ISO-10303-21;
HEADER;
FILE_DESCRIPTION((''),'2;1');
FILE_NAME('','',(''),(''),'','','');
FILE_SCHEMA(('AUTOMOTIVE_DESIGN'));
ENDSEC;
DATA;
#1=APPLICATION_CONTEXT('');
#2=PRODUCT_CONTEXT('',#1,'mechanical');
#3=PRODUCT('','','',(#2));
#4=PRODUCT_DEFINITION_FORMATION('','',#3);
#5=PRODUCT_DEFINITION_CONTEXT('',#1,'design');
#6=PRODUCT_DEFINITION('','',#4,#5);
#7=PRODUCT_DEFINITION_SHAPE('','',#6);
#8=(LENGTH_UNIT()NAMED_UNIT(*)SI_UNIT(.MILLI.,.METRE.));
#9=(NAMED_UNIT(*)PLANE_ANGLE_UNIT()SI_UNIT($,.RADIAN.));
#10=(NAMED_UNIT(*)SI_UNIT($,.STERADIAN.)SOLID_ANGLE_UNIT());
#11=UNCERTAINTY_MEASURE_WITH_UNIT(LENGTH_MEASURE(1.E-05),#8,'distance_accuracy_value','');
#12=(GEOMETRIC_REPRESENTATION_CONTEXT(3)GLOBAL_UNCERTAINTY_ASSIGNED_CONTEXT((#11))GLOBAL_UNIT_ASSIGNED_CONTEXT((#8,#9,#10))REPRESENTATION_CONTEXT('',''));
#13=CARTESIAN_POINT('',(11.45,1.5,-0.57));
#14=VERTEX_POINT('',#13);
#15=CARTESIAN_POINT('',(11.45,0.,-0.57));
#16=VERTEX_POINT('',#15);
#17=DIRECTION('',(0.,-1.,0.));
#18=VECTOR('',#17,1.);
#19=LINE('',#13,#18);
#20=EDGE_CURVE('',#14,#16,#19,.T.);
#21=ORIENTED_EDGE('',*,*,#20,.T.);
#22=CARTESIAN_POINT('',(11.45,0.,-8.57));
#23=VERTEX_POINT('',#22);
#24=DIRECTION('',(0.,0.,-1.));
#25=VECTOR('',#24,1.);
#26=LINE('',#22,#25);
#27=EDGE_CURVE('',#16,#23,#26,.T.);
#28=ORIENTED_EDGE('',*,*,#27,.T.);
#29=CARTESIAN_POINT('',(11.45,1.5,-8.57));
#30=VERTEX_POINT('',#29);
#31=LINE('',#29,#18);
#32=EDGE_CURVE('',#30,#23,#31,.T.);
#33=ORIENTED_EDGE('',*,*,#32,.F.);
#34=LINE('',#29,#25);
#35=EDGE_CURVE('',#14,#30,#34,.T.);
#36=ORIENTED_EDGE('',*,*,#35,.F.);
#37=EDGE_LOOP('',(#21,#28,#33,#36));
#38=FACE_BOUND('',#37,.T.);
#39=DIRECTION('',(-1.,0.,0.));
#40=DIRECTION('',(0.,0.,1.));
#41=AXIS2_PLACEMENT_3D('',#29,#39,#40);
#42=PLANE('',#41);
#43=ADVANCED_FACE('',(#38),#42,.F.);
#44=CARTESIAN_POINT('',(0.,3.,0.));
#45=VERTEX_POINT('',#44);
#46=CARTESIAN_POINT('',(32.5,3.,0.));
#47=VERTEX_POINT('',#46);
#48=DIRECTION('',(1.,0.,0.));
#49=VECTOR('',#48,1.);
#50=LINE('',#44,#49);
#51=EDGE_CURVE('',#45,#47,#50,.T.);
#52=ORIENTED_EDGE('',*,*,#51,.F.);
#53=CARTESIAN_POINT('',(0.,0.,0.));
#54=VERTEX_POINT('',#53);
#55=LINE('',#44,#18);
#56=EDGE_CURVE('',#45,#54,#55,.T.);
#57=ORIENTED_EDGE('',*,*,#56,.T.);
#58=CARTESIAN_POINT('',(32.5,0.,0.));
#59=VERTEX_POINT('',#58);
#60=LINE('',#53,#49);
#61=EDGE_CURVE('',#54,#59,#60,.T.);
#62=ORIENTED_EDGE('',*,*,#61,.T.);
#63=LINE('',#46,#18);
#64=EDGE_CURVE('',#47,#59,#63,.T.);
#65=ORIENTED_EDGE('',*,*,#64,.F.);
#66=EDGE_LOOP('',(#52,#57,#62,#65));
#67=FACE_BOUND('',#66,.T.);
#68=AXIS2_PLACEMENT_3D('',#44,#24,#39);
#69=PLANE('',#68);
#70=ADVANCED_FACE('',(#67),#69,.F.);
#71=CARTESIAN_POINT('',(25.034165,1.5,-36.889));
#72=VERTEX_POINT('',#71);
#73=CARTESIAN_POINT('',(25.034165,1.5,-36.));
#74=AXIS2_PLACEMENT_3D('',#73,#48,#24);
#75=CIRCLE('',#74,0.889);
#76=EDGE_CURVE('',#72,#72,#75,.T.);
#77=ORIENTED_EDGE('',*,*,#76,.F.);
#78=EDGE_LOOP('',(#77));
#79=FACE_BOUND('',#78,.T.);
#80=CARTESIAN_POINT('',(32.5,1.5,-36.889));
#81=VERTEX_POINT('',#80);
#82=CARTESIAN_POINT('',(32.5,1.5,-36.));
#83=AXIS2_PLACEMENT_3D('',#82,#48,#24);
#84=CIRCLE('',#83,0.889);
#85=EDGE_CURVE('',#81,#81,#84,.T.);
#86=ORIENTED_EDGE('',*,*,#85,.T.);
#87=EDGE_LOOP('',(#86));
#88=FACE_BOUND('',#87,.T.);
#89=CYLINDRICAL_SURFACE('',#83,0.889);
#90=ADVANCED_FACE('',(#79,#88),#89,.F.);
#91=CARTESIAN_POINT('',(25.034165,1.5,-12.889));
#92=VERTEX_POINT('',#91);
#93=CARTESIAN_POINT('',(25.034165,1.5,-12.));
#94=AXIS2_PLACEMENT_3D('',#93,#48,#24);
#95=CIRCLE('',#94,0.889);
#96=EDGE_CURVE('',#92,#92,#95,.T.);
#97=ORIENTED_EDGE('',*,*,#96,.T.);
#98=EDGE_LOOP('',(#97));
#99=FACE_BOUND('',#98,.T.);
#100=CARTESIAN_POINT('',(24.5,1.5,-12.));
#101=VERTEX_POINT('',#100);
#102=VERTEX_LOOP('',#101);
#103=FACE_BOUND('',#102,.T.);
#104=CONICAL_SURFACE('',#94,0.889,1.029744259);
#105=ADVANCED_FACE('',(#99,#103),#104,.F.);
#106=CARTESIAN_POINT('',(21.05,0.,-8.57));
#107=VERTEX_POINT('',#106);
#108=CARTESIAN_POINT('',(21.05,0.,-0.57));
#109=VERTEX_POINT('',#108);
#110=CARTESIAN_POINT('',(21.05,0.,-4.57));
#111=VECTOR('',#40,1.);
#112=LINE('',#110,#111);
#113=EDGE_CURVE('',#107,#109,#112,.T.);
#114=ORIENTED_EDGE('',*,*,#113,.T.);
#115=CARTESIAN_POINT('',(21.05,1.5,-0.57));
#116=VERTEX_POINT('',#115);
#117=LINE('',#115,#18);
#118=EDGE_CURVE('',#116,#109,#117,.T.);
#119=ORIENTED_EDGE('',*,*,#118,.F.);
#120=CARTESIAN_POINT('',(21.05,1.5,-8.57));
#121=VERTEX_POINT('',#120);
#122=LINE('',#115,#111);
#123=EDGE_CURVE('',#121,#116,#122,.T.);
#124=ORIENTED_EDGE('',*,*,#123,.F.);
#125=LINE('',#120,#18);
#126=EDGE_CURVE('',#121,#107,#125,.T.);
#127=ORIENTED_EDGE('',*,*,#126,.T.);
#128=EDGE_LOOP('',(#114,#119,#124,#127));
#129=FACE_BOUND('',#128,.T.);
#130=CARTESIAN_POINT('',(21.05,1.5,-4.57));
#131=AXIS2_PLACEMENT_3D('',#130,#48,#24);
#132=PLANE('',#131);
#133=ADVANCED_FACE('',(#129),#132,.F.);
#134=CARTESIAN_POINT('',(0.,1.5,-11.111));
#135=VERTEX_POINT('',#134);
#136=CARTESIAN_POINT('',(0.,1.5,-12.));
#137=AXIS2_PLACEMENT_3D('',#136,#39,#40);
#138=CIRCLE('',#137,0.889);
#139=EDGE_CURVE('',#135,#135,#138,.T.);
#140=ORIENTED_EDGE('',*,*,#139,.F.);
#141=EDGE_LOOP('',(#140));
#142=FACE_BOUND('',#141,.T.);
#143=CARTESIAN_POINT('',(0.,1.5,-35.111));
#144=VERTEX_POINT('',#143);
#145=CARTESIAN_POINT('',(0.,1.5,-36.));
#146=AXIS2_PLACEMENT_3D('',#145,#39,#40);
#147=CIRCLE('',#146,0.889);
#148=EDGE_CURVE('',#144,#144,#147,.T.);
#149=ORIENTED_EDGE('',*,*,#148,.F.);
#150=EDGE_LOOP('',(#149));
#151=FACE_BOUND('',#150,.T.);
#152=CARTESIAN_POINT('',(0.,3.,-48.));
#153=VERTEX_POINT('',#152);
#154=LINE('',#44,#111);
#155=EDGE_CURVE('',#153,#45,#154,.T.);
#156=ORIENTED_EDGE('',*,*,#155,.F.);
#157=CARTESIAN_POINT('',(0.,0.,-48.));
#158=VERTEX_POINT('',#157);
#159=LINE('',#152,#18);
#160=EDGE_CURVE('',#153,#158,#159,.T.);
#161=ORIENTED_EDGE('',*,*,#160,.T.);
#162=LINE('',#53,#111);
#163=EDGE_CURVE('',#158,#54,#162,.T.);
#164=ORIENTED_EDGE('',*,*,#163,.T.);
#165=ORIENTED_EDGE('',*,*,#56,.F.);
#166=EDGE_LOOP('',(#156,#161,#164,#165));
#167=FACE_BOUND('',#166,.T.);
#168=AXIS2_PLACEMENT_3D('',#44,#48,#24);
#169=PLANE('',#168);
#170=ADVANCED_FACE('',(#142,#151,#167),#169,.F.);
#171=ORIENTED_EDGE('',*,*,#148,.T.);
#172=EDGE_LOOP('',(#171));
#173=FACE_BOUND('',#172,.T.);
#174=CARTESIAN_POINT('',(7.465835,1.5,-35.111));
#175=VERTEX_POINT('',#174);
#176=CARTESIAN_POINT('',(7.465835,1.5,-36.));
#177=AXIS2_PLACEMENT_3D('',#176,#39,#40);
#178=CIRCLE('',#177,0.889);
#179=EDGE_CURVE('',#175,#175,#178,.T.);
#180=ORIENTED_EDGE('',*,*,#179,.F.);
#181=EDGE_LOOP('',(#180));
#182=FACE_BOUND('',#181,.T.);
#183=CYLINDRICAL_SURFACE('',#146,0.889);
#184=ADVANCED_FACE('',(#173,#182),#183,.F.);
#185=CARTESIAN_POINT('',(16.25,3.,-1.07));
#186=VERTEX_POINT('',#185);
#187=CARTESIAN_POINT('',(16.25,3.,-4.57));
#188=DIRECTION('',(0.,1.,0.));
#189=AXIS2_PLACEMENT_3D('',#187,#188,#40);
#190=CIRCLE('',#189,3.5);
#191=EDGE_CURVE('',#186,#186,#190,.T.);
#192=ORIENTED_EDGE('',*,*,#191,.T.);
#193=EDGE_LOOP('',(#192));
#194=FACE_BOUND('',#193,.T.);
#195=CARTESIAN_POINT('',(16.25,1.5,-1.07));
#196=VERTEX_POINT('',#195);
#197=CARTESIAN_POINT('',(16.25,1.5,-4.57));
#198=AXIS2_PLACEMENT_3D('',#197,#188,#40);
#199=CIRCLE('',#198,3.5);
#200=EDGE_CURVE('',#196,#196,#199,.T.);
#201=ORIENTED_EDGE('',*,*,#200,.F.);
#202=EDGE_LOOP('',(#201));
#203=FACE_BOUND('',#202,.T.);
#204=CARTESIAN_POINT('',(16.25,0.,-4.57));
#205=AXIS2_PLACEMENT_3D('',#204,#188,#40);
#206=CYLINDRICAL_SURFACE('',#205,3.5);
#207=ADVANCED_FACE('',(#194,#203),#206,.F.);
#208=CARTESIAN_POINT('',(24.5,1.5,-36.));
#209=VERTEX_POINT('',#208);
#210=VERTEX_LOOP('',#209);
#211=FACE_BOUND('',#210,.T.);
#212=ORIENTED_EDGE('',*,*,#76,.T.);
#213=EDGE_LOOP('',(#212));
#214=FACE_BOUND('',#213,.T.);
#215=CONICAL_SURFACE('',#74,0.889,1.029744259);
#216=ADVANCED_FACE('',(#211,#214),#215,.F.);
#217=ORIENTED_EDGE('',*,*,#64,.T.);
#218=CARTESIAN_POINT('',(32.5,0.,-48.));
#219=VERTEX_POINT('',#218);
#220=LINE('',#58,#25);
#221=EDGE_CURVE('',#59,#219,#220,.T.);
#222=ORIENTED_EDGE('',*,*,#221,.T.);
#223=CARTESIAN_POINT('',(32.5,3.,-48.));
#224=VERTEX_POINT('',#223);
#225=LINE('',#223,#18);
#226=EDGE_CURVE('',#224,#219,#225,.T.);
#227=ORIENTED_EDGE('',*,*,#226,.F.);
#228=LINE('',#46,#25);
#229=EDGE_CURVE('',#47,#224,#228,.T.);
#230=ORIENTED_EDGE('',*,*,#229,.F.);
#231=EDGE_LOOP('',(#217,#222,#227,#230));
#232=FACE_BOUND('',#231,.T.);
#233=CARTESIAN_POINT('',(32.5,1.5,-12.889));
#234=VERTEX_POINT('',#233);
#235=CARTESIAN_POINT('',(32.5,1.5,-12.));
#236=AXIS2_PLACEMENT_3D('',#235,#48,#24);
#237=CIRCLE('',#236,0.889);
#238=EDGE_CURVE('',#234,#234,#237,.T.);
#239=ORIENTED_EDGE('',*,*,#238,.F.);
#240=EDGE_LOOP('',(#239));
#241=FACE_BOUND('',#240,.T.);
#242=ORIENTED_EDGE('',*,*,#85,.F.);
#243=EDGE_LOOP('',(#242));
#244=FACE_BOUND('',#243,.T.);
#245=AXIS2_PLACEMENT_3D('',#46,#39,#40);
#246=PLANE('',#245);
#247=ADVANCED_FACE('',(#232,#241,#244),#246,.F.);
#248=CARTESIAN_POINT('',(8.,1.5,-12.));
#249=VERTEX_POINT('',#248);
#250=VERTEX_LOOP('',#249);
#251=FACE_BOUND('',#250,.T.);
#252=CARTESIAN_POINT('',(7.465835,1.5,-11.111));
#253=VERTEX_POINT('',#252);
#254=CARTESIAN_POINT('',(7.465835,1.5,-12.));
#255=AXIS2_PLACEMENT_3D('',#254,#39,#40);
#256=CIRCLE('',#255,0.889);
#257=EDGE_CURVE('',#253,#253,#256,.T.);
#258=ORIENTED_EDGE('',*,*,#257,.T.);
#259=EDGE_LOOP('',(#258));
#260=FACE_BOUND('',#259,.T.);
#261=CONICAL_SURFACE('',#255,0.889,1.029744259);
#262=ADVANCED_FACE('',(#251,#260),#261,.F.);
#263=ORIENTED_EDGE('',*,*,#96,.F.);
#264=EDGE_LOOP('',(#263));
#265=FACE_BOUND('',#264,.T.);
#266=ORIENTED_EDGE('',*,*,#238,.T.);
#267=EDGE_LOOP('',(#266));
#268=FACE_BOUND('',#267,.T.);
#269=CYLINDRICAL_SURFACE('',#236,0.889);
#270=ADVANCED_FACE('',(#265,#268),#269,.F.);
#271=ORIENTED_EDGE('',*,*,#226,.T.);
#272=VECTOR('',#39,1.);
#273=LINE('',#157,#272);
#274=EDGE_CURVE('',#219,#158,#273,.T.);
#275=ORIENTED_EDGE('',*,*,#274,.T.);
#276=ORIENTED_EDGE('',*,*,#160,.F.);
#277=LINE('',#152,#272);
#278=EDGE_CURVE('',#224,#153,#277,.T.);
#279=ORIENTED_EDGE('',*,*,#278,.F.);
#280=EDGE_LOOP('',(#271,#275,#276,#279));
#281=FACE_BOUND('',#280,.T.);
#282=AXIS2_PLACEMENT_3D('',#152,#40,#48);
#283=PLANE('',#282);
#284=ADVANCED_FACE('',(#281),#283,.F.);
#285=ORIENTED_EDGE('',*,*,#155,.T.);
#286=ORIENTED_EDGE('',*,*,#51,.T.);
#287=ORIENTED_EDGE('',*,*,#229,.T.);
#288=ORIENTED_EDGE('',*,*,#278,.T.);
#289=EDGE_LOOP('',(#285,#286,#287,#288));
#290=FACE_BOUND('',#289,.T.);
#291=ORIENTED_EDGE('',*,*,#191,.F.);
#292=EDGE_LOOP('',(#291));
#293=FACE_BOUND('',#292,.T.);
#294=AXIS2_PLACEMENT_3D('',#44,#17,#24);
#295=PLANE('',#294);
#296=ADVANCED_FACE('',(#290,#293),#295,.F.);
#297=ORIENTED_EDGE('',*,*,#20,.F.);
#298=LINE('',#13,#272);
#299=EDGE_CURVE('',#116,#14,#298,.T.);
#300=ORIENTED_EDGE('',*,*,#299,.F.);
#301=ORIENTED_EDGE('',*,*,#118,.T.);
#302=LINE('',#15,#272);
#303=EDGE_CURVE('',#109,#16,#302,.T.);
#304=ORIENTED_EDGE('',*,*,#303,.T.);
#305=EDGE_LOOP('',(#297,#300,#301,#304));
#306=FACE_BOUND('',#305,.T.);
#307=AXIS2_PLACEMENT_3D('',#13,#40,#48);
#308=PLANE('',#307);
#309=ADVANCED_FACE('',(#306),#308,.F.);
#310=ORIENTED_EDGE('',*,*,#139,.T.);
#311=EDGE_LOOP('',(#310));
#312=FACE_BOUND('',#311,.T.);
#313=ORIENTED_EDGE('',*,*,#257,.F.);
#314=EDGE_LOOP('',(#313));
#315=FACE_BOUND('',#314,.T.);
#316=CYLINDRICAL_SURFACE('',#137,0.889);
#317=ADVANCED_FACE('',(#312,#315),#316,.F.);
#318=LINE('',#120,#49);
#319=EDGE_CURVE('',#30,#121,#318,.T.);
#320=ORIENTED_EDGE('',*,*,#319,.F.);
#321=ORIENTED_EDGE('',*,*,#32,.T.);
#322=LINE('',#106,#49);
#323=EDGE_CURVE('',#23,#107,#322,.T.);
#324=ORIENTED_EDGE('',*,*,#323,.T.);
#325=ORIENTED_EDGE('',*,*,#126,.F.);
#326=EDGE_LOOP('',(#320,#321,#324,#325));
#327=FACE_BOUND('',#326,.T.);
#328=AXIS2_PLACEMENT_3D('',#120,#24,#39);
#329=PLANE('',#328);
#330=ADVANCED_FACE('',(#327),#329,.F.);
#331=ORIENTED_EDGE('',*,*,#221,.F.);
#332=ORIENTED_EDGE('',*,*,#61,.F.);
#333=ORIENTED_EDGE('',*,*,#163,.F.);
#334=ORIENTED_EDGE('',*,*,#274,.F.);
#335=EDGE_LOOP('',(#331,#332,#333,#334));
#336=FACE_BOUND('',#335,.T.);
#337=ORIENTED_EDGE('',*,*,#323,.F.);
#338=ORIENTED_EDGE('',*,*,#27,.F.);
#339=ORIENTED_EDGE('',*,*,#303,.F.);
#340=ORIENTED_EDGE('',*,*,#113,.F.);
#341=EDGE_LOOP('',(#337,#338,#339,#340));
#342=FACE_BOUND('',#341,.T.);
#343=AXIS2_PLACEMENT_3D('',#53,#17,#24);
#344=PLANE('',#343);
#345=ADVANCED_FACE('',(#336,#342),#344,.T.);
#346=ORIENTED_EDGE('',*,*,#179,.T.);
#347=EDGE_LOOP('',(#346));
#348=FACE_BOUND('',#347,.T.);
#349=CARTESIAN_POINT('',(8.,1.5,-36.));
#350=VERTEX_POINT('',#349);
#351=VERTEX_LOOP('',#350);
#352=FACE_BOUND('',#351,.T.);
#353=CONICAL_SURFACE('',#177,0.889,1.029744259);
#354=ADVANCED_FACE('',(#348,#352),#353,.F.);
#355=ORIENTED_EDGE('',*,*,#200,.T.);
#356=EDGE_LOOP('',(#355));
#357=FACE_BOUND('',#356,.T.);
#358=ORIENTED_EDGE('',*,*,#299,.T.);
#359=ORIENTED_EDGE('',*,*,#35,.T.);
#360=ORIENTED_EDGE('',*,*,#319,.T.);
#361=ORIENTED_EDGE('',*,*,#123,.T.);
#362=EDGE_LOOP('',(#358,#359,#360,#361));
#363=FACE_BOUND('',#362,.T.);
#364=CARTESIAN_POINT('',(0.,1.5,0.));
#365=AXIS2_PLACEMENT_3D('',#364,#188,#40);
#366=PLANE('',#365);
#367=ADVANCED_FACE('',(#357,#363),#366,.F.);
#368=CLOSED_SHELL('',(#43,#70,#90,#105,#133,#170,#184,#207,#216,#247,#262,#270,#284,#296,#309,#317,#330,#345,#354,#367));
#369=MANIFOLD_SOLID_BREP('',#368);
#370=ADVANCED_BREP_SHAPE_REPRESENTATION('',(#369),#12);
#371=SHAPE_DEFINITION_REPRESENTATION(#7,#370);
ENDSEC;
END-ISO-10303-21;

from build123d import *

# Parameters (mm, degrees)
SKETCH1_W                 = 32.5
SKETCH1_H                 = 48
BOSS_EXTRUDE1_DEPTH       = 3
F_2_56_TAPPED_HOLE1_D     = 1.778
F_2_56_TAPPED_HOLE1_DEPTH = 7.46583491
F_2_56_TAPPED_HOLE1_TIP   = 0.53416509
F_2_56_TAPPED_HOLE2_D     = 1.778
F_2_56_TAPPED_HOLE2_DEPTH = 7.46583491
F_2_56_TAPPED_HOLE2_TIP   = 0.53416509
CUT_EXTRUDE2_DEPTH        = 1.5
SKETCH10_R                = 3.5
CUT_EXTRUDE3_DEPTH        = 3


with BuildPart() as part:
    # Sketch1 → Boss-Extrude1 (new body)
    with BuildSketch(Plane(origin=(0, 0, 0), x_dir=(1, 0, 0), z_dir=(0, 1, 0))):
        with Locations((16.25, 24)):
            Rectangle(SKETCH1_W, SKETCH1_H)
    extrude(amount=BOSS_EXTRUDE1_DEPTH)

    # #2-56 Tapped Hole1
    with Locations(Plane.ZY):
        with Locations((-36, 1.5), (-12, 1.5)):
            Hole(F_2_56_TAPPED_HOLE1_D / 2, depth=F_2_56_TAPPED_HOLE1_DEPTH)
            with Locations((0, 0, -(F_2_56_TAPPED_HOLE1_DEPTH + F_2_56_TAPPED_HOLE1_TIP / 2))):  # 118° drill point
                Cone(0, F_2_56_TAPPED_HOLE1_D / 2, F_2_56_TAPPED_HOLE1_TIP, mode=Mode.SUBTRACT)

    # #2-56 Tapped Hole2
    with Locations(Plane(origin=(32.5, 0, 0), x_dir=(0, 0, -1), z_dir=(1, 0, 0))):
        with Locations((12, 1.5), (36, 1.5)):
            Hole(F_2_56_TAPPED_HOLE2_D / 2, depth=F_2_56_TAPPED_HOLE2_DEPTH)
            with Locations((0, 0, -(F_2_56_TAPPED_HOLE2_DEPTH + F_2_56_TAPPED_HOLE2_TIP / 2))):  # 118° drill point
                Cone(0, F_2_56_TAPPED_HOLE2_D / 2, F_2_56_TAPPED_HOLE2_TIP, mode=Mode.SUBTRACT)

    # Sketch11 → Cut-Extrude2 (cut)
    with BuildSketch(Plane(origin=(0, 0, 0), x_dir=(-1, 0, 0), z_dir=(0, -1, 0))):
        Polygon((-21.05, 4.57), (-21.05, 8.57), (-11.45, 8.57), (-11.45, 0.57), (-21.05, 0.57), align=None)
    extrude(amount=-CUT_EXTRUDE2_DEPTH, mode=Mode.SUBTRACT)

    # Sketch10 → Cut-Extrude3 (cut)
    with BuildSketch(Plane(origin=(0, 3, 0), x_dir=(1, 0, 0), z_dir=(0, 1, 0))):
        with Locations(Location((16.25, 4.57, 0), (0, 0, 270))):
            Circle(SKETCH10_R)
    extrude(amount=-CUT_EXTRUDE3_DEPTH, mode=Mode.SUBTRACT)


solid = part.part
